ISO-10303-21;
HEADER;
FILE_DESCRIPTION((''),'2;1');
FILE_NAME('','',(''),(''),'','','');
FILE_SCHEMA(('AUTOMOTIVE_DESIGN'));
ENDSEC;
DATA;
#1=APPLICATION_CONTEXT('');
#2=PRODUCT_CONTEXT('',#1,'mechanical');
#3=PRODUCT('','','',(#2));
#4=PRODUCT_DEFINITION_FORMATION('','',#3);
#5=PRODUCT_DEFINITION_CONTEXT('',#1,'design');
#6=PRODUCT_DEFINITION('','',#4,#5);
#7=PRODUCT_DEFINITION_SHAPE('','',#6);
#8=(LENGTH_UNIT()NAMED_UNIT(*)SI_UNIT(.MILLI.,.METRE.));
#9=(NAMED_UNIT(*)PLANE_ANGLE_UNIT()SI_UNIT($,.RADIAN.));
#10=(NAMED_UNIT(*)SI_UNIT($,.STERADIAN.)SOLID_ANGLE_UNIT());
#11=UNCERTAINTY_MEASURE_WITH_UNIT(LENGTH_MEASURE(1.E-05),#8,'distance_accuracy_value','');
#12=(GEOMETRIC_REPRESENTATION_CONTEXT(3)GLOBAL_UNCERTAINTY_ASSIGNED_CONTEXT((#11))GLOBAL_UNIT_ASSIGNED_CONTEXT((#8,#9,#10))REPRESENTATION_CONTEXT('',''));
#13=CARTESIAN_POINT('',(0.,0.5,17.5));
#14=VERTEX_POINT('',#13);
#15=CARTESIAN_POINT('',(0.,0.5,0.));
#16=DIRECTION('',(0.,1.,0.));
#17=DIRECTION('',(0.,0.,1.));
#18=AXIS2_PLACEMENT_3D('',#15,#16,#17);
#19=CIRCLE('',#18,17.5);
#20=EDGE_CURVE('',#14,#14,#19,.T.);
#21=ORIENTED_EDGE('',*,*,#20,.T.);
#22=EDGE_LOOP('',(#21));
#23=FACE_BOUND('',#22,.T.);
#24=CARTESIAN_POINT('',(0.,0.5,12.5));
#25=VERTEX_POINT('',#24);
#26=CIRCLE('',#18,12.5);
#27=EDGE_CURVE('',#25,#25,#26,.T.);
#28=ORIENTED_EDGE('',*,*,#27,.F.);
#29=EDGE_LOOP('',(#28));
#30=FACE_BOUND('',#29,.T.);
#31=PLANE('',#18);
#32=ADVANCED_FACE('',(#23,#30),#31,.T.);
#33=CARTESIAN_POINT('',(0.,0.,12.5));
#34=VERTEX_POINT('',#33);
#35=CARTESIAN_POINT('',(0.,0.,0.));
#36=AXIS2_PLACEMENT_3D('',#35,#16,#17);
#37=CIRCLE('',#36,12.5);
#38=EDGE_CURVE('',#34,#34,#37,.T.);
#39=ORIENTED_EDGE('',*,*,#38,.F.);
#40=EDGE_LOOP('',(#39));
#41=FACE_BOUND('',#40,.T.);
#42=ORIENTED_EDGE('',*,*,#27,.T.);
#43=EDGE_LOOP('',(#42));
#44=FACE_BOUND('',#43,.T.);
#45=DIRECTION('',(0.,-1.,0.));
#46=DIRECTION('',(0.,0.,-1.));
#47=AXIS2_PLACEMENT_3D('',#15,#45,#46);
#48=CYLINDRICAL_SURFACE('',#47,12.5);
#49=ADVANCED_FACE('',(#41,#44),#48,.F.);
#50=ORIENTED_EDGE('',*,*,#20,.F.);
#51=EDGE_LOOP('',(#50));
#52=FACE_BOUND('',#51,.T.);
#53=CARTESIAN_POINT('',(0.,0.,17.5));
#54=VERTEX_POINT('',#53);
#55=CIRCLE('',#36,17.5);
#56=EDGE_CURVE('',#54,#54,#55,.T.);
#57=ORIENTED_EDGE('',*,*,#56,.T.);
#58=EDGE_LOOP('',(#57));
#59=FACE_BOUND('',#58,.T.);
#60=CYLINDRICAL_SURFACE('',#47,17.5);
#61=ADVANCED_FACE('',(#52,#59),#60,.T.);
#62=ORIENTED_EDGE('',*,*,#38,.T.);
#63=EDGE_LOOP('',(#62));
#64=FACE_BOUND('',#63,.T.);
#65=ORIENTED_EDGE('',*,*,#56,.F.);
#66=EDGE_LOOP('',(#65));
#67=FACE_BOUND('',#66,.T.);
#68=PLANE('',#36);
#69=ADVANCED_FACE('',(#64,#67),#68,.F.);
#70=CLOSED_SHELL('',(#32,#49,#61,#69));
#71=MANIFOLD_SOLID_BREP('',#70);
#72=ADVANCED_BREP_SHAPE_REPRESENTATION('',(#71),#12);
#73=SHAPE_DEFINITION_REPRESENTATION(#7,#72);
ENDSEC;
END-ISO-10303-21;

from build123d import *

# Parameters (mm, degrees)
ESQUISSE1_R        = 17.5
ESQUISSE1_R_2      = 12.5
BOSS_EXTRU_1_DEPTH = 0.5


with BuildPart() as part:
    # Esquisse1 → Boss.-Extru.1 (new body)
    with BuildSketch(Plane(origin=(0, 0, 0), x_dir=(1, 0, 0), z_dir=(0, 1, 0))):
        with Locations(Location((0, 0, 0), (0, 0, 270))):
            Circle(ESQUISSE1_R)
        with Locations(Location((0, 0, 0), (0, 0, 270))):
            Circle(ESQUISSE1_R_2, mode=Mode.SUBTRACT)
    extrude(amount=BOSS_EXTRU_1_DEPTH)


solid = part.part
